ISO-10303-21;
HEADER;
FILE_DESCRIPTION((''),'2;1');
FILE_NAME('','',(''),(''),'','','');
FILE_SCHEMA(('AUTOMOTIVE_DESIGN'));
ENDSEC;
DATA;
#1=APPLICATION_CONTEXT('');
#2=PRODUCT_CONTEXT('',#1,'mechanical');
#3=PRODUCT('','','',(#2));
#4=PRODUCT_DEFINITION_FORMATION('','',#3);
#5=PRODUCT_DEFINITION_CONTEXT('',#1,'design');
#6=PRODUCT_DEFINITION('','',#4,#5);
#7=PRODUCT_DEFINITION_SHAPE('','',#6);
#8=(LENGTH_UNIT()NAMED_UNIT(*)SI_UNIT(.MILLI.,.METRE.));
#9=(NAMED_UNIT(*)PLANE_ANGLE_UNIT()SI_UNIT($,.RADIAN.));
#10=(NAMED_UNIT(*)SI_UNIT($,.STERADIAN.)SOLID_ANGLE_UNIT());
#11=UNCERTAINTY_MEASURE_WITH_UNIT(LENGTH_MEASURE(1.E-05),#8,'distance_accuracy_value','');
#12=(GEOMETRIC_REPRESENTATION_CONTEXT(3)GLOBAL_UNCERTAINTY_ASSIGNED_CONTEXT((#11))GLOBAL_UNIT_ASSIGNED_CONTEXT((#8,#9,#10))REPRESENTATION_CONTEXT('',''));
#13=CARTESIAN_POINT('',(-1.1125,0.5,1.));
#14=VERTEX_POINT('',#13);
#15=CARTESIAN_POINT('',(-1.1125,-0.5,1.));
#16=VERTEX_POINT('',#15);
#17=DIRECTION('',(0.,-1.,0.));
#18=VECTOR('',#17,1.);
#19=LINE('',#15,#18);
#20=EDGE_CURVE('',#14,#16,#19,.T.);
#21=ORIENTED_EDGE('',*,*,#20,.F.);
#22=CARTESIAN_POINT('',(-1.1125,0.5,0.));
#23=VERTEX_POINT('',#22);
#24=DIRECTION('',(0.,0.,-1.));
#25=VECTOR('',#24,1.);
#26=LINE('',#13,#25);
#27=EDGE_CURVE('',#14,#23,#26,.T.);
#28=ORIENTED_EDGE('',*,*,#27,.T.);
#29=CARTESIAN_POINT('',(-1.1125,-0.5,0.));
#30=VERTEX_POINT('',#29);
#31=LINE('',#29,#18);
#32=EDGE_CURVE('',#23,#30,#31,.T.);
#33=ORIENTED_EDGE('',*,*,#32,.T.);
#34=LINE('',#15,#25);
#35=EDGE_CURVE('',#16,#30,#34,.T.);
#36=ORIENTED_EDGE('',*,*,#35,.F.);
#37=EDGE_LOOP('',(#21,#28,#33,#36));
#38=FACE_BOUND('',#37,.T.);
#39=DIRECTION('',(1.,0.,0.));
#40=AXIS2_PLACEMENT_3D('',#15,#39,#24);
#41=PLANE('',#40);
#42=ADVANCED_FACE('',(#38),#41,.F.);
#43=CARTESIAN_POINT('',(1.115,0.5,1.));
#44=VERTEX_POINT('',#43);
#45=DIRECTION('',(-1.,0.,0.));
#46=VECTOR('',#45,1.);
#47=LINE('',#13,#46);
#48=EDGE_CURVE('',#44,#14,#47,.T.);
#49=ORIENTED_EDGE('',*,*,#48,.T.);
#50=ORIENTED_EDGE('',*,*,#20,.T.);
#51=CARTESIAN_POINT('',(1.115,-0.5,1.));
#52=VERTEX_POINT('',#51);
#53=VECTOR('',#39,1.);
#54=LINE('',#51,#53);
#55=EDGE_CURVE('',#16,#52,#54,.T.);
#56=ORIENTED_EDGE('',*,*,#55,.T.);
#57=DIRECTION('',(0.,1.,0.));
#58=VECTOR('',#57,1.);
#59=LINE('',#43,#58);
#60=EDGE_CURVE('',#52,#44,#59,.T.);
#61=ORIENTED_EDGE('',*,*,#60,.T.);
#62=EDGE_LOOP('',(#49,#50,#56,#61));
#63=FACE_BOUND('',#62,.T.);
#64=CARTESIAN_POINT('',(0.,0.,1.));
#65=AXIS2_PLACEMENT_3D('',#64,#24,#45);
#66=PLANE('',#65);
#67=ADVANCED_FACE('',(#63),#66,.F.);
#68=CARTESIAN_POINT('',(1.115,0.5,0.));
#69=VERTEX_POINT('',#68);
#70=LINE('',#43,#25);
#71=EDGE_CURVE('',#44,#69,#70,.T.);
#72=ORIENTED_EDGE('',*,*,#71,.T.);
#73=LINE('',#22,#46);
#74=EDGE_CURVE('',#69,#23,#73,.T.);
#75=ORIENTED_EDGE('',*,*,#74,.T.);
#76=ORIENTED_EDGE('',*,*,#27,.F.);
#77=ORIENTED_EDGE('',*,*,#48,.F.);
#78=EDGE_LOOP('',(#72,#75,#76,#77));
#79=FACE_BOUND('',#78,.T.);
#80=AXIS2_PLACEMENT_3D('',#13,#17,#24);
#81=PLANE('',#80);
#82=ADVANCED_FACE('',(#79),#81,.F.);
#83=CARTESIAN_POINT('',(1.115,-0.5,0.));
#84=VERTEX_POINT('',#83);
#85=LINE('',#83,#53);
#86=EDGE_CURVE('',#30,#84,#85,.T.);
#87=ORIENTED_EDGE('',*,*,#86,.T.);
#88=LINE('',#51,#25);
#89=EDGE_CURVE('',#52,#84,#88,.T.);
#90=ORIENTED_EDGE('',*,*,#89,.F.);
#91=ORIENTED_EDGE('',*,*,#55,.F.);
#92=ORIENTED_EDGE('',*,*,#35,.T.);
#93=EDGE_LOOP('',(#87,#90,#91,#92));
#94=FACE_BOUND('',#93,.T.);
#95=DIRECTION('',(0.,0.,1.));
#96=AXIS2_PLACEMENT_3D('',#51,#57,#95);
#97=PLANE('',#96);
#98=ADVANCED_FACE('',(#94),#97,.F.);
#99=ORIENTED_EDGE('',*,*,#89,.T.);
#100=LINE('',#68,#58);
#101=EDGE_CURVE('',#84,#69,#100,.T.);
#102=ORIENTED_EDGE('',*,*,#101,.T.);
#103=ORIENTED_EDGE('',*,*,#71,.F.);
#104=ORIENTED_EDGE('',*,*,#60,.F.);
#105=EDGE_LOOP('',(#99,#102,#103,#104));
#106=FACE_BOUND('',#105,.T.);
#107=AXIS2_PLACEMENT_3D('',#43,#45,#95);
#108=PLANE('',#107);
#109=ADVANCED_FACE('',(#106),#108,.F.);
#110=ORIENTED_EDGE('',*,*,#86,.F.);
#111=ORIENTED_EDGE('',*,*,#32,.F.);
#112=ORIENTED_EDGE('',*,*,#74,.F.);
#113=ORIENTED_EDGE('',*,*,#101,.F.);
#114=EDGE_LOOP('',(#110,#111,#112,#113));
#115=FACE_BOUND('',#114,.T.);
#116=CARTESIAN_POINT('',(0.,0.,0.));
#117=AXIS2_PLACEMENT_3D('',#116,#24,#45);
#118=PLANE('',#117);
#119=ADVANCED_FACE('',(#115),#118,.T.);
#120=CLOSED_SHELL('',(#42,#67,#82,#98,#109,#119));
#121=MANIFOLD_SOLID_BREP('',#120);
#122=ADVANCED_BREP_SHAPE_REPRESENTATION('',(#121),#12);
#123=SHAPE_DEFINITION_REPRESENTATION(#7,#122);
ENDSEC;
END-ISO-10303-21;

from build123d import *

# Parameters (mm, degrees)
SKETCH_1_W              = 2.2275
SKETCH_1_H              = 1
COMPONENT_OUTLINE_DEPTH = 1


with BuildPart() as part:
    # 草图1 → Component_Outline (new body)
    with BuildSketch(Plane.XY):
        with Locations((0.00125, 0)):
            Rectangle(SKETCH_1_W, SKETCH_1_H)
    extrude(amount=COMPONENT_OUTLINE_DEPTH)


solid = part.part
